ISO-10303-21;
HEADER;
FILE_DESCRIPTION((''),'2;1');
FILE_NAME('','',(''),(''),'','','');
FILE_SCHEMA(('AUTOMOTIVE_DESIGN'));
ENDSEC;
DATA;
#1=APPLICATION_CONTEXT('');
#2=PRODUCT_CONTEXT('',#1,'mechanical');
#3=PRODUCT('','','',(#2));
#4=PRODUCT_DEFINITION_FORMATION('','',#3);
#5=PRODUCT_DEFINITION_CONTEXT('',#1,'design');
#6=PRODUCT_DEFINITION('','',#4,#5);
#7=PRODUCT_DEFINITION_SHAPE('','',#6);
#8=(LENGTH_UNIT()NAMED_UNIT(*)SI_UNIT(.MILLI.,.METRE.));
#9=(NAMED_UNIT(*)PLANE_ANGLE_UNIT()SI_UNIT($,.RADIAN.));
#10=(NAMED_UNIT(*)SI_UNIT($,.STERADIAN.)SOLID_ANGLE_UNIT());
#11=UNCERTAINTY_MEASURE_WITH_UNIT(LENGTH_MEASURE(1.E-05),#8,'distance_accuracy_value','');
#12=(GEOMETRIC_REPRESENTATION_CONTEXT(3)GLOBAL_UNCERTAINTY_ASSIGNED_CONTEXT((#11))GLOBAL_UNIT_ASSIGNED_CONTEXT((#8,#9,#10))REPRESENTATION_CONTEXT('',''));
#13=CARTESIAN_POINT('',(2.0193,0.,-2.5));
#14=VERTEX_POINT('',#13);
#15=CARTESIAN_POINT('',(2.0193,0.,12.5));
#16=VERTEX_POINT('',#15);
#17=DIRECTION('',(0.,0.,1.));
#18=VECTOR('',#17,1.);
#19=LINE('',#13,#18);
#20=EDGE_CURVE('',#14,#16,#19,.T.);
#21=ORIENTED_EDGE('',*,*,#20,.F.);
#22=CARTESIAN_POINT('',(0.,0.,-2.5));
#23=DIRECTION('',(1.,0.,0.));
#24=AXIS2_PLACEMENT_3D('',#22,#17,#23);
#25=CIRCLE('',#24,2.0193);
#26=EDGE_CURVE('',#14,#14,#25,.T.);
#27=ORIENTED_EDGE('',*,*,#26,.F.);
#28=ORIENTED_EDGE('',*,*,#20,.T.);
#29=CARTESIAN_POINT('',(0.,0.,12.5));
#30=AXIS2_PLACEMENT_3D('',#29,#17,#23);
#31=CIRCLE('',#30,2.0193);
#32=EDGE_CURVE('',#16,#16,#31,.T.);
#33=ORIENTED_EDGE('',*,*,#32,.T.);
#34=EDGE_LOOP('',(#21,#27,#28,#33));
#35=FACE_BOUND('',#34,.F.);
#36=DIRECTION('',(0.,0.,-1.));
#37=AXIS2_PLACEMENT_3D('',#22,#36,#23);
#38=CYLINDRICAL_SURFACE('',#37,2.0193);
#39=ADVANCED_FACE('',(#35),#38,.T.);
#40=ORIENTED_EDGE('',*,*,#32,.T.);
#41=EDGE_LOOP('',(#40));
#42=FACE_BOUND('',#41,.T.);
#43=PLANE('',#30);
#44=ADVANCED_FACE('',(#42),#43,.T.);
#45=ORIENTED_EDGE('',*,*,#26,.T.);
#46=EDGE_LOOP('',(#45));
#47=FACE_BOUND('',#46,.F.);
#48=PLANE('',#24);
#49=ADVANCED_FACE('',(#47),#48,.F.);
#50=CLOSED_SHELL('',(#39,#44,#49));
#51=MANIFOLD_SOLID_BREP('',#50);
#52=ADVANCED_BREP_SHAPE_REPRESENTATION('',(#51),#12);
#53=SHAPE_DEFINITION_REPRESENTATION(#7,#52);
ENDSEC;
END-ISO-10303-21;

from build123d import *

# Parameters (mm, degrees)
CYLINDER_R     = 2.0193
CYLINDER_DEPTH = 15


with BuildPart() as part:
    # Cylinder → Cylinder (new body)
    with BuildSketch(Plane.XY.offset(-2.5)):
        Circle(CYLINDER_R)
    extrude(amount=CYLINDER_DEPTH)


solid = part.part
